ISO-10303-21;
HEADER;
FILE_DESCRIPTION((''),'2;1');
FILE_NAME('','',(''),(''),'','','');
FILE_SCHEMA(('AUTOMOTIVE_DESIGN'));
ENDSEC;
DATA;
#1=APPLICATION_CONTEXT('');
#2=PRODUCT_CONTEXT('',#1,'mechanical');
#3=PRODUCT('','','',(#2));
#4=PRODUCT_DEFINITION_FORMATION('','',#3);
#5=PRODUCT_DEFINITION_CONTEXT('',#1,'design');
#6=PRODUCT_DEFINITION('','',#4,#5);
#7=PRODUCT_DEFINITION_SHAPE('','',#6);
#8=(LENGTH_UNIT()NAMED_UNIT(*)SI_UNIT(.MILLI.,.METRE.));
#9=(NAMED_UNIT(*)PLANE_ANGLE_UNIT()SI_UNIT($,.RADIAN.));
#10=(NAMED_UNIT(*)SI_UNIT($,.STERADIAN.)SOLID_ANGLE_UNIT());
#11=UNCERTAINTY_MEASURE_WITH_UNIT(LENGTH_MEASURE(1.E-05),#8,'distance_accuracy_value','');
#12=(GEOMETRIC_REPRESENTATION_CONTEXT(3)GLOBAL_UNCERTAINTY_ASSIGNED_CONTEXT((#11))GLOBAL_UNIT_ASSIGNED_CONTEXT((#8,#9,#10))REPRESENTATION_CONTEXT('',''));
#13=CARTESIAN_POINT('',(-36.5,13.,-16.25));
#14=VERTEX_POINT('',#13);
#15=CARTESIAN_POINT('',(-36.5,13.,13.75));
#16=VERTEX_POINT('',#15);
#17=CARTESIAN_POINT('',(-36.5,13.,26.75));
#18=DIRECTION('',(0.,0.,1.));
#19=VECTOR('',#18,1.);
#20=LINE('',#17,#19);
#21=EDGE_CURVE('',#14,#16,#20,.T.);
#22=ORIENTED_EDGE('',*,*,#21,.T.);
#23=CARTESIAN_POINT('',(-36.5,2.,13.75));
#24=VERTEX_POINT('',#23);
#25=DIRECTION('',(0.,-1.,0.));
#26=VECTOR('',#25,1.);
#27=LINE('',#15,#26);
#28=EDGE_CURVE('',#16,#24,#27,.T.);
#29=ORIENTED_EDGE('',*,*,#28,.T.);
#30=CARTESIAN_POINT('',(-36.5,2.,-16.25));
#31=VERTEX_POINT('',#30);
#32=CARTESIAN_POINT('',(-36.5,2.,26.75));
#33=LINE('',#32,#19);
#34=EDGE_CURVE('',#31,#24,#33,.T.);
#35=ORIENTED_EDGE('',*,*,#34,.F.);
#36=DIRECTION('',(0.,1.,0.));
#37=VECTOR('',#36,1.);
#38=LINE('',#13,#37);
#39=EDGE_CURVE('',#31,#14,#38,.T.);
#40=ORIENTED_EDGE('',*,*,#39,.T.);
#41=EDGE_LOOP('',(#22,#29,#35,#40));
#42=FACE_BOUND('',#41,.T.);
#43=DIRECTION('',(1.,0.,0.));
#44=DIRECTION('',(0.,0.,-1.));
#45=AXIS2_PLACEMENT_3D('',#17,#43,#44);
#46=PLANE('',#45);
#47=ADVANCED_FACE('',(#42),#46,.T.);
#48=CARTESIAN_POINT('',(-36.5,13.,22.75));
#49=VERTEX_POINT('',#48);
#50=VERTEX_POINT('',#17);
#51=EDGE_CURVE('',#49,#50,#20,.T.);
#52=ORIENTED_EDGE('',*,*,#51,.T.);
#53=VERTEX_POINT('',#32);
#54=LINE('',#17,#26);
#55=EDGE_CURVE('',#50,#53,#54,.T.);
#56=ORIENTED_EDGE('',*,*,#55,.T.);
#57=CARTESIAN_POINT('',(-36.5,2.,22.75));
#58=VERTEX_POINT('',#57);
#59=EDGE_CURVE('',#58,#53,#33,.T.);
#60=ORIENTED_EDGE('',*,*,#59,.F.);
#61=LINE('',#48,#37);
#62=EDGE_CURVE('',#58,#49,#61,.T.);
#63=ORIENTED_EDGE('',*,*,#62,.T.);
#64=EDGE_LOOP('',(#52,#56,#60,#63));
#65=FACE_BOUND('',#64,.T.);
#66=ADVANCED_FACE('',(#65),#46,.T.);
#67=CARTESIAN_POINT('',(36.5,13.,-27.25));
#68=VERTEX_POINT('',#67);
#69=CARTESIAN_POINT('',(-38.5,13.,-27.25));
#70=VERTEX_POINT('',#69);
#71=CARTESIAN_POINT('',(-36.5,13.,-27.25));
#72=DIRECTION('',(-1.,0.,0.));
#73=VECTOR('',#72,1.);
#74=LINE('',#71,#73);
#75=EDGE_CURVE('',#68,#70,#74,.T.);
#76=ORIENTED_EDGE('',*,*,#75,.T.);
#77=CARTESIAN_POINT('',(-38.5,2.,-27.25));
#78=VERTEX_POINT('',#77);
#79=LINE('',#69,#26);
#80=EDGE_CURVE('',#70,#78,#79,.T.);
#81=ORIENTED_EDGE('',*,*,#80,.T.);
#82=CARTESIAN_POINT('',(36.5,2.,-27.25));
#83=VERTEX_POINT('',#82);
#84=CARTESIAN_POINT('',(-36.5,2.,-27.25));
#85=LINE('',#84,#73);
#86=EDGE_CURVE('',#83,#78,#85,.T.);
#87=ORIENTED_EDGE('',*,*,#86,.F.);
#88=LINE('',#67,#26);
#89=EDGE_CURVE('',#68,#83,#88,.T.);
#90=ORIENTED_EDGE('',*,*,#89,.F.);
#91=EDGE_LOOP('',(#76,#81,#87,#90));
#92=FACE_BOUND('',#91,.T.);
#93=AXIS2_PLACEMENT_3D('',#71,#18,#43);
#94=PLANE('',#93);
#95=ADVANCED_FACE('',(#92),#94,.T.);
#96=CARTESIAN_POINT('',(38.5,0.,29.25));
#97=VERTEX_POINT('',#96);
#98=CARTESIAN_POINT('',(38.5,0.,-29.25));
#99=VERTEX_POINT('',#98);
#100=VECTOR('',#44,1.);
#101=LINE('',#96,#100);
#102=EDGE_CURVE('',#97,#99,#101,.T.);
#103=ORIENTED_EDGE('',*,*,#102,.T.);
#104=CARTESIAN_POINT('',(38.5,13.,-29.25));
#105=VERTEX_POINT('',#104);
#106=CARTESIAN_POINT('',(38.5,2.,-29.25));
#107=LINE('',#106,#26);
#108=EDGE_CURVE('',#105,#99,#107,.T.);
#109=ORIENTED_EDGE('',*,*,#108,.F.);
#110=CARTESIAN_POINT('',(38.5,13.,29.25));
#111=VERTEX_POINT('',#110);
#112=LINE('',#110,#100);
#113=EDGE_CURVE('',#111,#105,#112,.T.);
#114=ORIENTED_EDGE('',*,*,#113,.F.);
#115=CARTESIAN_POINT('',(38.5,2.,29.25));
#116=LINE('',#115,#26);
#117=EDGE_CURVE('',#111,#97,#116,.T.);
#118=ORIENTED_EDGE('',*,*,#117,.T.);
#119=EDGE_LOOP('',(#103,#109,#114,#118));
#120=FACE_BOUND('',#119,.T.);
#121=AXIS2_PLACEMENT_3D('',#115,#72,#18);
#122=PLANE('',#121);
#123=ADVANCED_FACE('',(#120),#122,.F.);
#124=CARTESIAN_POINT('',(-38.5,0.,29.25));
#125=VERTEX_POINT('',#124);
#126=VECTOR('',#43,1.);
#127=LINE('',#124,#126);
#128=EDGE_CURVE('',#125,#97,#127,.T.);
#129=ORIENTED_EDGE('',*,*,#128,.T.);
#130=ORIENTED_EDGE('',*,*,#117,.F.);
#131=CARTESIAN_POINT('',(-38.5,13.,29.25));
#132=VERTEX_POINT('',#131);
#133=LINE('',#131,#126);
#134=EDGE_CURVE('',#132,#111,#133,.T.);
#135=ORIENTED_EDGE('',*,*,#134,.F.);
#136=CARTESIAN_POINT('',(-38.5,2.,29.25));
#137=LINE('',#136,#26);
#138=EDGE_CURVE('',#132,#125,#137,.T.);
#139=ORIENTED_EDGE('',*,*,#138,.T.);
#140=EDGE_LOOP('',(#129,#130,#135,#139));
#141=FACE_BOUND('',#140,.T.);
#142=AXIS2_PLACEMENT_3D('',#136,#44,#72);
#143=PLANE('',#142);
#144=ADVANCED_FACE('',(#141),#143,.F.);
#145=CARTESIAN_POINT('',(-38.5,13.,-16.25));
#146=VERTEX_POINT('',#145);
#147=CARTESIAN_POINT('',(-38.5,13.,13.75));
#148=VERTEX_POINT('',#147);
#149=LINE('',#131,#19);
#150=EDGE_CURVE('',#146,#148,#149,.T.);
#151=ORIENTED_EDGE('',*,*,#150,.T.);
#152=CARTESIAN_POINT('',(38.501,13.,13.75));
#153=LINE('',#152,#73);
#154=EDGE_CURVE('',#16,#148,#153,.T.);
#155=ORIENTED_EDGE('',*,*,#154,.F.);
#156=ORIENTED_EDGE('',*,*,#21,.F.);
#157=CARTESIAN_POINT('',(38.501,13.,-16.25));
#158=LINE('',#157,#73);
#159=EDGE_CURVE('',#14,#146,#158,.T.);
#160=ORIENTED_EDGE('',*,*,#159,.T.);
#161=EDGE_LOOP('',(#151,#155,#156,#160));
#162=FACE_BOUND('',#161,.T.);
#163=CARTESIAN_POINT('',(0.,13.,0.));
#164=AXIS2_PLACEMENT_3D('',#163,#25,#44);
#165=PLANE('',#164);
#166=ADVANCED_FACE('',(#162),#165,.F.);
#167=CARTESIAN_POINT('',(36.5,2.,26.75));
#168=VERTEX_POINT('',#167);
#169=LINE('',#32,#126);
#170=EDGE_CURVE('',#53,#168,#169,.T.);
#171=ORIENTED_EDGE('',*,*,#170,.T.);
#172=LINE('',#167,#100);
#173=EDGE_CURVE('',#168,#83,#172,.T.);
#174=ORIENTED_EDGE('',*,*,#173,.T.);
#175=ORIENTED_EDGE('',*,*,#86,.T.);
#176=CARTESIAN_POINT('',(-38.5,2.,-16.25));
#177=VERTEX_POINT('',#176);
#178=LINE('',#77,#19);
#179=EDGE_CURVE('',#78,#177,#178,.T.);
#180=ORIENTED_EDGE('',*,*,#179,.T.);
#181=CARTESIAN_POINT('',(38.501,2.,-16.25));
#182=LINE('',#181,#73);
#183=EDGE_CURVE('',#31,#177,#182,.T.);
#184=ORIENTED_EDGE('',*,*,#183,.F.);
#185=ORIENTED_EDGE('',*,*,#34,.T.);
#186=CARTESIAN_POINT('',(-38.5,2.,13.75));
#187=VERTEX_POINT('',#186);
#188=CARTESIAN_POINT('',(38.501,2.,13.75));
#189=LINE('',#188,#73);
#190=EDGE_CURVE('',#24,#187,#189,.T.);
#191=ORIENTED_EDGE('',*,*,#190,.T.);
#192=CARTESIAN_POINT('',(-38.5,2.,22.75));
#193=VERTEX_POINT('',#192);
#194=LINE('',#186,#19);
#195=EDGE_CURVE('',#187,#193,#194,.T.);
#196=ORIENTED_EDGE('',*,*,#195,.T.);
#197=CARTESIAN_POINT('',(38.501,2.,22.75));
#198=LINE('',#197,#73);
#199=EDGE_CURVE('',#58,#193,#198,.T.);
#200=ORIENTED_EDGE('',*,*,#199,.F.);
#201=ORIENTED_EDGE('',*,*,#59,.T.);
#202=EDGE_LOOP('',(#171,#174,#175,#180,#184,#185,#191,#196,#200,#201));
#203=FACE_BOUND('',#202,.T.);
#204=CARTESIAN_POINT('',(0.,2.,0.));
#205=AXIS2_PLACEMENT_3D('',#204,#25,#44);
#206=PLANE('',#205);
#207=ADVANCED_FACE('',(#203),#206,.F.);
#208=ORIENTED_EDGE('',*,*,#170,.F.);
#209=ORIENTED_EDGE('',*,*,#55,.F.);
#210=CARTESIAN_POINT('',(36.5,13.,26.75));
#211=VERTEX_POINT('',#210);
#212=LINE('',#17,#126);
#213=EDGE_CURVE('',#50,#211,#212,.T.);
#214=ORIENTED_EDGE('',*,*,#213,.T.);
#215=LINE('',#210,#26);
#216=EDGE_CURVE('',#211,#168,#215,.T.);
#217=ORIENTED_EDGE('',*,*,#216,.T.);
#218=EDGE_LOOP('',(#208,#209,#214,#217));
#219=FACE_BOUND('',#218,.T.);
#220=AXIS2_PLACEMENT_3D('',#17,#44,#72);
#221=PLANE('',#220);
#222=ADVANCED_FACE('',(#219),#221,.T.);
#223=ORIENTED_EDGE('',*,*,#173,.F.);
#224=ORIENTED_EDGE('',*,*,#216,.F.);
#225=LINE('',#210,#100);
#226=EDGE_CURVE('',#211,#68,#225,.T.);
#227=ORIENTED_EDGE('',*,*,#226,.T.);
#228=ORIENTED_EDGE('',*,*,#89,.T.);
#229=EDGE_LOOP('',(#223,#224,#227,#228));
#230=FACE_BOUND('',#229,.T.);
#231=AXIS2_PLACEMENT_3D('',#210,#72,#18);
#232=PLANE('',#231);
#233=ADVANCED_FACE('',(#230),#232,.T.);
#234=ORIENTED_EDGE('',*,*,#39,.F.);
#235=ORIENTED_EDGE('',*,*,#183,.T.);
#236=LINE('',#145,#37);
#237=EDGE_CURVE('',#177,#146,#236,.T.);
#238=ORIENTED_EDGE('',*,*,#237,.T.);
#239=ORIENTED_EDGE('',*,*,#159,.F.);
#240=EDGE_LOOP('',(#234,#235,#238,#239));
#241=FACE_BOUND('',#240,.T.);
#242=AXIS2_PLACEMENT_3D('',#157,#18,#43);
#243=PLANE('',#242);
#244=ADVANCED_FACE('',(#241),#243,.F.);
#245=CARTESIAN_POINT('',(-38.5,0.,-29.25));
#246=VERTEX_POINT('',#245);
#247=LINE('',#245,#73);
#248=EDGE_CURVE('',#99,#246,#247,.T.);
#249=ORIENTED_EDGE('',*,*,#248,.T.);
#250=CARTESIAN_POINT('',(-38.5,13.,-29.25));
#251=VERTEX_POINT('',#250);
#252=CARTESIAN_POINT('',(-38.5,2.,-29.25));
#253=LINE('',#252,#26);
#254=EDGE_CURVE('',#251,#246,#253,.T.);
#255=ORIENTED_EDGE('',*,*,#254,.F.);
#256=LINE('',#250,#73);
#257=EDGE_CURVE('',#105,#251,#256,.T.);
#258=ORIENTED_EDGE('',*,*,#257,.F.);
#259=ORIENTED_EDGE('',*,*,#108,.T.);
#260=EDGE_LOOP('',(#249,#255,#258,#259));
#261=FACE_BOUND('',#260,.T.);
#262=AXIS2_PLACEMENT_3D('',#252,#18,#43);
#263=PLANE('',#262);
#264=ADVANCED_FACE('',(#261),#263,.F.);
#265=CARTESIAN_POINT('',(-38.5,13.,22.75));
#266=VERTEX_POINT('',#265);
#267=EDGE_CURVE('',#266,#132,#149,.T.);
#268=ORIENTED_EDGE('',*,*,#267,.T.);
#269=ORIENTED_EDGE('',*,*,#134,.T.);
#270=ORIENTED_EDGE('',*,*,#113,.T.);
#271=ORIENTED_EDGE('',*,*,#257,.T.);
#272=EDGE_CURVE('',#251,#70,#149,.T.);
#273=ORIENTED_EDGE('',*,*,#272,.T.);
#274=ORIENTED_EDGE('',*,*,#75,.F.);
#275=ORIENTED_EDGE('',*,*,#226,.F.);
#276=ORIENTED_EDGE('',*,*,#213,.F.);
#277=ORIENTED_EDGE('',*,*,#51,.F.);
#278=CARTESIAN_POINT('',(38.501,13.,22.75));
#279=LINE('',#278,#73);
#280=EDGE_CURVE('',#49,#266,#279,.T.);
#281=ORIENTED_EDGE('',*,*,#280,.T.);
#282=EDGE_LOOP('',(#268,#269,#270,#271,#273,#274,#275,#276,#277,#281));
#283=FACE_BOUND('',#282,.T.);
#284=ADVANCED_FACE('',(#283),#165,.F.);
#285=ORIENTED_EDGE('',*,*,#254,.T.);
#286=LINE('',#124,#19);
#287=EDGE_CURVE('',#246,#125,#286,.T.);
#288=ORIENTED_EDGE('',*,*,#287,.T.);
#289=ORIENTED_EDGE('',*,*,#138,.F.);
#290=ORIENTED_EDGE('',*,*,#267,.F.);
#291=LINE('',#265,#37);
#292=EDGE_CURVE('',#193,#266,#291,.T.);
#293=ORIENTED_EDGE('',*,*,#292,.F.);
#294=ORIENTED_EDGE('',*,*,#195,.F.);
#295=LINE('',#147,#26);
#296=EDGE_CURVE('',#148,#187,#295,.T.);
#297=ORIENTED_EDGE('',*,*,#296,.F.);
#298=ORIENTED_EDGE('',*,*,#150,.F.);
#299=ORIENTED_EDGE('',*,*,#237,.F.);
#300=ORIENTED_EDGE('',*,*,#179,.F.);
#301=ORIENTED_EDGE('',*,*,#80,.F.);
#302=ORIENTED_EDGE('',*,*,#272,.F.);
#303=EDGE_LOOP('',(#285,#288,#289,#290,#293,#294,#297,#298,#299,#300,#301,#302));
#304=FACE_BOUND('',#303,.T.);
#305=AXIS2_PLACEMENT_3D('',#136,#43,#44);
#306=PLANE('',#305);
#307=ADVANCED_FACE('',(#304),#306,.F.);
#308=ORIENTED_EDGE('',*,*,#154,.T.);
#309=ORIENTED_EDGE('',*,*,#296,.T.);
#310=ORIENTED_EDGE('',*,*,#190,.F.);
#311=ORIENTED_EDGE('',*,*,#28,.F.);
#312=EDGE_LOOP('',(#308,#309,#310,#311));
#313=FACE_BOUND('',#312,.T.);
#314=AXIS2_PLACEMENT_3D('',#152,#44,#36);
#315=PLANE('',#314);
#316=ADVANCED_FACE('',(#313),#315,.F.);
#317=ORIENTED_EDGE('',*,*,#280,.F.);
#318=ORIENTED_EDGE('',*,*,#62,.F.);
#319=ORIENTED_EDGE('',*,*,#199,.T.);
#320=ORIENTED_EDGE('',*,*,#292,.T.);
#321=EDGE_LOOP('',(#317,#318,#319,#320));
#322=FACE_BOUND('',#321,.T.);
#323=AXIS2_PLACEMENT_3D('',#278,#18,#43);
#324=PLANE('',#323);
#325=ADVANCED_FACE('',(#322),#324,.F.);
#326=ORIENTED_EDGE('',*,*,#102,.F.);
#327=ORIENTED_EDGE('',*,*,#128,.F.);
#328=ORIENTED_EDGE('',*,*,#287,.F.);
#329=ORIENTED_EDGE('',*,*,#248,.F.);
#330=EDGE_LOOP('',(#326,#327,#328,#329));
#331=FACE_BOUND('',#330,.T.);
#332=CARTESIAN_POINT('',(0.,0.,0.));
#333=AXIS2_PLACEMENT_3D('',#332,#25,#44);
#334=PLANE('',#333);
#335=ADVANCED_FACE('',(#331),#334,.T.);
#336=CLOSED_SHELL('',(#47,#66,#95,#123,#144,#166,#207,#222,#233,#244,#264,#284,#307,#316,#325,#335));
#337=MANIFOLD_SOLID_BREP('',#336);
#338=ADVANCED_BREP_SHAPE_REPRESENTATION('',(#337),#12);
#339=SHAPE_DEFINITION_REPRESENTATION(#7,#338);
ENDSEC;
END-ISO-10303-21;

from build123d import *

# Parameters (mm, degrees)
SKETCH_1_W          = 77
SKETCH_1_H          = 58.5
EXTRUDE_1_DEPTH     = 2
SKETCH_2_W          = 77
SKETCH_2_H          = 58.5
SKETCH_2_W_2        = 73
SKETCH_2_H_2        = 54
EXTRUDE_2_DEPTH     = 11
CUT_EXTRUDE_1_REACH = 85.388
SKETCH_3_W          = 9
SKETCH_3_H          = 11
SKETCH_3_W_2        = 11


with BuildPart() as part:
    # 草图1 → 凸台-拉伸1 (new body)
    with BuildSketch(Plane(origin=(0, 0, 0), x_dir=(1, 0, 0), z_dir=(0, 1, 0))):
        Rectangle(SKETCH_1_W, SKETCH_1_H)
    extrude(amount=EXTRUDE_1_DEPTH)

    # 草图2 → 凸台-拉伸2 (add)
    with BuildSketch(Plane(origin=(0, 2, 0), x_dir=(1, 0, 0), z_dir=(0, 1, 0))):
        Rectangle(SKETCH_2_W, SKETCH_2_H)
        with Locations((0, 0.25)):
            Rectangle(SKETCH_2_W_2, SKETCH_2_H_2, mode=Mode.SUBTRACT)
    extrude(amount=EXTRUDE_2_DEPTH)

    # 草图3 → 切除-拉伸1 (cut, up to next)
    with BuildSketch(Plane.ZY.offset(38.5), mode=Mode.PRIVATE) as cut_extrude_1_sk1:
        with Locations((18.25, 7.5)):
            Rectangle(SKETCH_3_W, SKETCH_3_H)
    cut_extrude_1_tool1 = extrude(cut_extrude_1_sk1.sketch, amount=-CUT_EXTRUDE_1_REACH, mode=Mode.PRIVATE) & part.part
    # 草图3 → 切除-拉伸1 (cut, up to next)
    with BuildSketch(Plane.ZY.offset(38.5), mode=Mode.PRIVATE) as cut_extrude_1_sk2:
        with Locations((-21.75, 7.5)):
            Rectangle(SKETCH_3_W_2, SKETCH_3_H)
    cut_extrude_1_tool2 = extrude(cut_extrude_1_sk2.sketch, amount=-CUT_EXTRUDE_1_REACH, mode=Mode.PRIVATE) & part.part
    add(cut_extrude_1_tool1.solids().sort_by_distance((-38.5, 7.5, 18.25))[0], mode=Mode.SUBTRACT)
    add(cut_extrude_1_tool2.solids().sort_by_distance((-38.5, 7.5, -21.75))[0], mode=Mode.SUBTRACT)


solid = part.part
